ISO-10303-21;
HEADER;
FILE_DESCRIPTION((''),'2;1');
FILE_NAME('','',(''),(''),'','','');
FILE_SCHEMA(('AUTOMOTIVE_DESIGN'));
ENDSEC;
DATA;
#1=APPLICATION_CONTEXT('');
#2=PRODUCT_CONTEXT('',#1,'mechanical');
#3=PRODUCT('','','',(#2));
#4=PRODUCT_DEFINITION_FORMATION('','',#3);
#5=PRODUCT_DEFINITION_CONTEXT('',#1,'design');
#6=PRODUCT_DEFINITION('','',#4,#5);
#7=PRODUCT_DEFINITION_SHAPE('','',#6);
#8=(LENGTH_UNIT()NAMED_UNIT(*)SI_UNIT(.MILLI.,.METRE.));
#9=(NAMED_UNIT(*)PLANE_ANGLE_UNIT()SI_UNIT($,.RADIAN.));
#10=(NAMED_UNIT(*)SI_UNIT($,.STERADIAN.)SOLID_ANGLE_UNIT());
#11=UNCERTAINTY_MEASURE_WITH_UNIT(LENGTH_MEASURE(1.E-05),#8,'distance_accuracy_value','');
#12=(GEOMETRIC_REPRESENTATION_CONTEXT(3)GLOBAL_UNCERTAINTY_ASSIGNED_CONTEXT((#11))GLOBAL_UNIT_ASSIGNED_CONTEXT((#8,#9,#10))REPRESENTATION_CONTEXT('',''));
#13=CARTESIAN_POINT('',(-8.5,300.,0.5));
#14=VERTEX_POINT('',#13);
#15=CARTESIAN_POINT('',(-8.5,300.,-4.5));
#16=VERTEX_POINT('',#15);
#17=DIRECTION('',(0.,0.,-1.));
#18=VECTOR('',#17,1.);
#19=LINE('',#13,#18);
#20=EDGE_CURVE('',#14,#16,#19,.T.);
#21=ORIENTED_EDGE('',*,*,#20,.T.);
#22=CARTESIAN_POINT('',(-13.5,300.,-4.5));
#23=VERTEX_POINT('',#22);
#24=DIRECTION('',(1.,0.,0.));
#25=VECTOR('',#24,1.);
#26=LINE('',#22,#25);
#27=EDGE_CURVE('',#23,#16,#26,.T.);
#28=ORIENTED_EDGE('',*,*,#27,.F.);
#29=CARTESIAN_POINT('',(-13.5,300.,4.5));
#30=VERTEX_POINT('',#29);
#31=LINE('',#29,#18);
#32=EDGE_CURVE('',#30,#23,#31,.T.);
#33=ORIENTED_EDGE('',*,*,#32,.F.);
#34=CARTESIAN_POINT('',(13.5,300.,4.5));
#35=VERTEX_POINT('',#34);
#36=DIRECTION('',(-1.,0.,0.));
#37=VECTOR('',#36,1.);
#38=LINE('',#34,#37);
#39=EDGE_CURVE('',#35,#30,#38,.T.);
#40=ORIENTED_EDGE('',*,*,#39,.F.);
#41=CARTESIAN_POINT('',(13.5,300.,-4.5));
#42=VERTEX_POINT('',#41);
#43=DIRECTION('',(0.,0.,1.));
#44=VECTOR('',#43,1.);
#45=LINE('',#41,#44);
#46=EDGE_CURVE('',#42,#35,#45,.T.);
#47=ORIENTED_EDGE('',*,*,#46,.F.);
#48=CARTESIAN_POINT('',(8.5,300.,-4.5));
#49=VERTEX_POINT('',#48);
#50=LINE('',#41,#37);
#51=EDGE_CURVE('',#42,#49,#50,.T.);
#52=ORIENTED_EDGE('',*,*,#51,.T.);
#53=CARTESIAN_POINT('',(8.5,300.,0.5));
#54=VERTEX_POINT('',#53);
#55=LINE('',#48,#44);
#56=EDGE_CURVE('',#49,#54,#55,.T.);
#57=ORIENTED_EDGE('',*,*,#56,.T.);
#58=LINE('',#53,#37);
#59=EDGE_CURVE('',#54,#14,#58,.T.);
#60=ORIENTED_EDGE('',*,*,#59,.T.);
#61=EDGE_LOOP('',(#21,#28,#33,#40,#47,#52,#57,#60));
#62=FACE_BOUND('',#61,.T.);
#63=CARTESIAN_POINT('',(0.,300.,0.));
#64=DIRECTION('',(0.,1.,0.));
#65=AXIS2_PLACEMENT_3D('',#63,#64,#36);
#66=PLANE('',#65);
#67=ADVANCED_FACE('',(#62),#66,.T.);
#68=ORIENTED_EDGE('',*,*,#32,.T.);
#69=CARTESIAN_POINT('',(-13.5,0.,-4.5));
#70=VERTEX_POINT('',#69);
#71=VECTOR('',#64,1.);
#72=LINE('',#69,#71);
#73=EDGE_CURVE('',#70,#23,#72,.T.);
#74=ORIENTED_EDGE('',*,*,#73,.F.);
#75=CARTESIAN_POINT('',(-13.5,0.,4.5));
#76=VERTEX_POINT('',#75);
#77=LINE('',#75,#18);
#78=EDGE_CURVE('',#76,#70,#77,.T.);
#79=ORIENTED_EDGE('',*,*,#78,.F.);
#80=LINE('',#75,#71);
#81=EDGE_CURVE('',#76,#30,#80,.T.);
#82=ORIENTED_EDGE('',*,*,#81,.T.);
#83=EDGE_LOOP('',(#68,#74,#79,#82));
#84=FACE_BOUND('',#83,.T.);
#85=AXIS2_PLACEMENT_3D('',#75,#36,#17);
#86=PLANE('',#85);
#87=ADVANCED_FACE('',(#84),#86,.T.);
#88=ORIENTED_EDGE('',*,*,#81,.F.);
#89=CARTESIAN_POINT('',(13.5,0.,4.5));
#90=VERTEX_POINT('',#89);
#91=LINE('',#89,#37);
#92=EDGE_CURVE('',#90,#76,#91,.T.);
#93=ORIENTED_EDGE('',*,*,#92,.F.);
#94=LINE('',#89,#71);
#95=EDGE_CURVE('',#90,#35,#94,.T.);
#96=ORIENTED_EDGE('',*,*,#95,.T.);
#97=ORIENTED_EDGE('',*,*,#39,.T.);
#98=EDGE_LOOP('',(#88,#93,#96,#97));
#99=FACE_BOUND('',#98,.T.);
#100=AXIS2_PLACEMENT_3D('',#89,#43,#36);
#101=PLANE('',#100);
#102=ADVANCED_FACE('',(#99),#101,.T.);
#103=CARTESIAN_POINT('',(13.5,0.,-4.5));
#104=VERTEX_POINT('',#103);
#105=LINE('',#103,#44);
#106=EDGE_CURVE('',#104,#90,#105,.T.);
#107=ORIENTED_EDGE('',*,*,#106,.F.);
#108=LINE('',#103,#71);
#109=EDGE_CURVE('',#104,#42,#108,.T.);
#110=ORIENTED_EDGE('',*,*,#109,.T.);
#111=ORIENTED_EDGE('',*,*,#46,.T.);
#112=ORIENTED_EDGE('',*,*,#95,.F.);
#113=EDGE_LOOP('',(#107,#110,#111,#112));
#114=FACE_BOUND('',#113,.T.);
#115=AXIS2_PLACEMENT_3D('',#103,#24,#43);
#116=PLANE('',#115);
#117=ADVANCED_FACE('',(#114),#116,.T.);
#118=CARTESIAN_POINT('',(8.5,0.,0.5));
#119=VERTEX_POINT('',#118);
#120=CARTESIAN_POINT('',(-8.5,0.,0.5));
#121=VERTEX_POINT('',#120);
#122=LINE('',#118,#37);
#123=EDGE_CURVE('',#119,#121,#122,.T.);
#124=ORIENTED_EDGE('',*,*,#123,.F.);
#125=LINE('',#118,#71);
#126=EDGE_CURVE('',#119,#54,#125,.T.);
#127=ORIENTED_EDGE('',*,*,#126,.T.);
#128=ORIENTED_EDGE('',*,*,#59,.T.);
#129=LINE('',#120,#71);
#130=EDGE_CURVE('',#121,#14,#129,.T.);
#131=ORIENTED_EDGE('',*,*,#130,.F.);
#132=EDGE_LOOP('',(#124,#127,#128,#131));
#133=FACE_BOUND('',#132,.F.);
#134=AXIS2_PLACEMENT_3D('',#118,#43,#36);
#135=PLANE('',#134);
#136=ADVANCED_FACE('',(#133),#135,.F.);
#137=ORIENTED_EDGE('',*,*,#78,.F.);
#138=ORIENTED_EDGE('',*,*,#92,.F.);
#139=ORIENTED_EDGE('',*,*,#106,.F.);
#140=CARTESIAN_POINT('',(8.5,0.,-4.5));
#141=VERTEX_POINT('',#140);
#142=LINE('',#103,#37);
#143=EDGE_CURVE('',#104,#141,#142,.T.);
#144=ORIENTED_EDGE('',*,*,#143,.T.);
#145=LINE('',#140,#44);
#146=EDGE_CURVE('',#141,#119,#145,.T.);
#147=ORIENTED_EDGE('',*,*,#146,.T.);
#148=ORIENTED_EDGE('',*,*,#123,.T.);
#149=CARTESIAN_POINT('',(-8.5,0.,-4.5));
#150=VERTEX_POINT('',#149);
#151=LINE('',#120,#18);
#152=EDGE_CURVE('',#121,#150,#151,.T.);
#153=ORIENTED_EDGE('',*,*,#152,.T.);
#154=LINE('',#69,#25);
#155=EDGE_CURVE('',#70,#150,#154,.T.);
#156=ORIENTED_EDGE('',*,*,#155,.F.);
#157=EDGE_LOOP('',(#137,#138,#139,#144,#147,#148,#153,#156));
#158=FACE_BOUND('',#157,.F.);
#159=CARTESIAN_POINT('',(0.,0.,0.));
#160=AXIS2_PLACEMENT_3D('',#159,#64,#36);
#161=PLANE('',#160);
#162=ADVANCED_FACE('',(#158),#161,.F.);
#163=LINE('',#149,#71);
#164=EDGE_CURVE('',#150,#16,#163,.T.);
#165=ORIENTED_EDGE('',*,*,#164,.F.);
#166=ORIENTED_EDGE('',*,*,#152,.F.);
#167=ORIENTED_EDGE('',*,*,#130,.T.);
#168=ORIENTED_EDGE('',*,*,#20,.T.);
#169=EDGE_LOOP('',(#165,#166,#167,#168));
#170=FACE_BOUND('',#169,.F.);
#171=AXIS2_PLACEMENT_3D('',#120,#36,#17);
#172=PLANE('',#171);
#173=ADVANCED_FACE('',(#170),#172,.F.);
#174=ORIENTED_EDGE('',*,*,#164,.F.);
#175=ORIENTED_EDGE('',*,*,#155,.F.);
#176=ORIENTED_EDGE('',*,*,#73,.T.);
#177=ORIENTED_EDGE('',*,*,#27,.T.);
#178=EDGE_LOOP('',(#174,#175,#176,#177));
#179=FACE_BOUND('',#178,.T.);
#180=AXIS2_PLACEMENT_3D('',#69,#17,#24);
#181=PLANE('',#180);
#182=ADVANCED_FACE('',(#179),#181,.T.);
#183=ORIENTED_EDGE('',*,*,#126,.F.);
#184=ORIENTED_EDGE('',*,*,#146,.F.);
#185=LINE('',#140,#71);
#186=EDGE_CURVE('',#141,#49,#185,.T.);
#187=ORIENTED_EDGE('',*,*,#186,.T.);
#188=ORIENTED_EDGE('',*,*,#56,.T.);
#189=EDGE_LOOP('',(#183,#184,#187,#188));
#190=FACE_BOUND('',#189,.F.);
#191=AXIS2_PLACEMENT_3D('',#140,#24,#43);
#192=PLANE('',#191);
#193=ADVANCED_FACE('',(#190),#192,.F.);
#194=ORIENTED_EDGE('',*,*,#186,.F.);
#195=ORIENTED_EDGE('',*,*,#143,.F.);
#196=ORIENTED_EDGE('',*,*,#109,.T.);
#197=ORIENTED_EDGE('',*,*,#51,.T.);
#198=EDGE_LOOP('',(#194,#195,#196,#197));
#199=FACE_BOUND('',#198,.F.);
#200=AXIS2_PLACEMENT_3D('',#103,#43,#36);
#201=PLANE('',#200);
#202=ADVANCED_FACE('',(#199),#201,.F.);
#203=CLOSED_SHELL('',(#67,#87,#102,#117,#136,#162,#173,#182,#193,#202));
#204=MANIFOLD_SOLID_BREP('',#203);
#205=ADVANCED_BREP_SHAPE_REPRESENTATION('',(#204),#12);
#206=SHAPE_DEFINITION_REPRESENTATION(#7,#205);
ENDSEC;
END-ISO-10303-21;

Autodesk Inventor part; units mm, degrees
ref_plane "YZ Plane" through (0, 0, 0) normal (1, 0, 0) x (0, 1, 0)
ref_plane "XZ Plane" through (0, 0, 0) normal (0, 1, 0) x (-1, 0, 0)
ref_plane "XY Plane" through (0, 0, 0) normal (0, 0, 1) x (1, 0, 0)
sketch "Sketch1" plane through (0, 0, 0) normal (0, 1, 0) x (-1, 0, 0)
  line L0 (-13.5, 4.5) -> (13.5, 4.5)
  line L1 (13.5, 4.5) -> (13.5, -4.5)
  line L2 (13.5, -4.5) -> (-13.5, -4.5) construction
  line L3 (-13.5, -4.5) -> (-13.5, 4.5)
  line L4 (0, -6.3) -> (0, 6.3) construction
  line L5 (-18.9, 0) -> (18.9, 0) construction
  line L6 (-13.5, -4.5) -> (-8.5, -4.5)
  line L7 (13.5, -4.5) -> (8.5, -4.5)
  line L8 (-8.5, -4.5) -> (-8.5, 0.5)
  line L9 (-8.5, 0.5) -> (8.5, 0.5)
  line L10 (8.5, 0.5) -> (8.5, -4.5)
  point P0 (0, 0)
  dimension "d0" = 27
  dimension "d1" = 9
  dimension "d2" = 5
  dimension "d3" = 5
  dimension "d4" = 5
extrude "Extrusion1" add sketch "Sketch1" along normal blind 300
equation "\"d3\" = d2"
properties part number "profilo_estrusore"
